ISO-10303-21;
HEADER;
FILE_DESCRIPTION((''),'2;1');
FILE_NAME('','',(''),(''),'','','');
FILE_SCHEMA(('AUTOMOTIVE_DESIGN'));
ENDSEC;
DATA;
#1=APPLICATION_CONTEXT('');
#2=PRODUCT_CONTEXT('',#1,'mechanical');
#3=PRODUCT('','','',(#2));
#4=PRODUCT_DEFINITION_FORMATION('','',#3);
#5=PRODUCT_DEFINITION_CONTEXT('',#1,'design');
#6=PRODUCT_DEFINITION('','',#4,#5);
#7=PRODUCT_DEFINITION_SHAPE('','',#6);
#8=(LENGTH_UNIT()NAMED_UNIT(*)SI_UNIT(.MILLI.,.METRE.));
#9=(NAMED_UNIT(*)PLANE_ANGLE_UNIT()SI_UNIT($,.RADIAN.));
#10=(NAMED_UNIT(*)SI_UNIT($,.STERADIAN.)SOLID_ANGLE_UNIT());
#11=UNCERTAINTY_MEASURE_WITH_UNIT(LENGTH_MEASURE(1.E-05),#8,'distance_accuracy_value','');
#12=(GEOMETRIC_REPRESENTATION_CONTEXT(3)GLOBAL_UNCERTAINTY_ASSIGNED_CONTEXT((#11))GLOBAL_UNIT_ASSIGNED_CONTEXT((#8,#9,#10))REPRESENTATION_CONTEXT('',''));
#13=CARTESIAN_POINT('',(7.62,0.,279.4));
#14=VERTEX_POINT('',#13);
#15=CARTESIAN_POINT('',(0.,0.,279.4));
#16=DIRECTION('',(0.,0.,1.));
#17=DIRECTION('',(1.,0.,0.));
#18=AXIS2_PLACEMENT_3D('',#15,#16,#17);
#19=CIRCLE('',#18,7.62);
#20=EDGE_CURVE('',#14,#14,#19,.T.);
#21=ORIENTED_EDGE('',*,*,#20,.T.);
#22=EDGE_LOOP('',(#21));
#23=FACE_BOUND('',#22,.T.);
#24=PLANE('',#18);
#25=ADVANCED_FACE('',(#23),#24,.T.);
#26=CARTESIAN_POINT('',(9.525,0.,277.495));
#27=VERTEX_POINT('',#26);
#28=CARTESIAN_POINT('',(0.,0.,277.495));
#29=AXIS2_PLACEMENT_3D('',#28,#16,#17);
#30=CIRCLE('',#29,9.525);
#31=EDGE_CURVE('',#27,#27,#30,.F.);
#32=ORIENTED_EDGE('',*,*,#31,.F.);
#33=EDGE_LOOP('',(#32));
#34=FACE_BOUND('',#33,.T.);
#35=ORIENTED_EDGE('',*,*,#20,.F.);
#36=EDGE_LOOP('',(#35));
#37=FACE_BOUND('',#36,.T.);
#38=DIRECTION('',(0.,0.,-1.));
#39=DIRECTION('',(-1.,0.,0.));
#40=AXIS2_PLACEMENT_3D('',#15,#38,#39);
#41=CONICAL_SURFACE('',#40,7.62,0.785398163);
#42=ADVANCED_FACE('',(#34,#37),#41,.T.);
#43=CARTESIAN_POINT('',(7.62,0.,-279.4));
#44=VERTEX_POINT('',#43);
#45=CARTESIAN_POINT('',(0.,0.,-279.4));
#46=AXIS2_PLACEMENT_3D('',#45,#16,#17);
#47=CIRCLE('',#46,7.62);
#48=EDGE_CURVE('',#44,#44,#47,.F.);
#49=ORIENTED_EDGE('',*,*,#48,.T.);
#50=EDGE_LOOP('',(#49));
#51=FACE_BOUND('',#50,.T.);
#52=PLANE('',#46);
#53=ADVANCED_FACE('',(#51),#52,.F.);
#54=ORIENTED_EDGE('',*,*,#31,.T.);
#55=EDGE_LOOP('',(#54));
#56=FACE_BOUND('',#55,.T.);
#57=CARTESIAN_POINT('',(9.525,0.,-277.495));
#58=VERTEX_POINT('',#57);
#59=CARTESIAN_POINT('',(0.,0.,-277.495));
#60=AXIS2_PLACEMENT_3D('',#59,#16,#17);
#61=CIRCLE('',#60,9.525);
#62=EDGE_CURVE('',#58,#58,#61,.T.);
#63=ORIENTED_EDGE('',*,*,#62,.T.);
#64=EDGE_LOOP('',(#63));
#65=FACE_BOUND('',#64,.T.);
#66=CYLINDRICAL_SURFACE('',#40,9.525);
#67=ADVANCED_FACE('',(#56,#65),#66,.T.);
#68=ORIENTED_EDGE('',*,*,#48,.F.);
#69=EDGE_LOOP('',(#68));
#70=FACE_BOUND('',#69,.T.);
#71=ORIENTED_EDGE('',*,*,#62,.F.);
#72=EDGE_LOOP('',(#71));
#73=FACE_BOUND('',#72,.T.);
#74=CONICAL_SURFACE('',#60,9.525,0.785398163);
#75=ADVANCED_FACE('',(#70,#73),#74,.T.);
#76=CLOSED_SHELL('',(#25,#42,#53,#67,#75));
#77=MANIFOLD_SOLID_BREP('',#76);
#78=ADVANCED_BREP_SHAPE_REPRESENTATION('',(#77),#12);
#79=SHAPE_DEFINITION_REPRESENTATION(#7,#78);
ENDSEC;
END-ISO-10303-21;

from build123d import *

# Parameters (mm, degrees)
SKETCH1_R      = 9.525
EXTRUDE1_DEPTH = 279.4
CHAMFER1_SIZE  = 1.905


with BuildPart() as part:
    # Sketch1 → Extrude1 (new body, symmetric)
    with BuildSketch(Plane.XY):
        Circle(SKETCH1_R)
    extrude(amount=EXTRUDE1_DEPTH, both=True)

    # Chamfer1
    chamfer1_edges = [part.edges().sort_by_distance(p)[0] for p in [
        (-9.525, 0, -279.4),
        (-9.525, 0, 279.4),
    ]]
    chamfer(chamfer1_edges, length=CHAMFER1_SIZE)


solid = part.part
